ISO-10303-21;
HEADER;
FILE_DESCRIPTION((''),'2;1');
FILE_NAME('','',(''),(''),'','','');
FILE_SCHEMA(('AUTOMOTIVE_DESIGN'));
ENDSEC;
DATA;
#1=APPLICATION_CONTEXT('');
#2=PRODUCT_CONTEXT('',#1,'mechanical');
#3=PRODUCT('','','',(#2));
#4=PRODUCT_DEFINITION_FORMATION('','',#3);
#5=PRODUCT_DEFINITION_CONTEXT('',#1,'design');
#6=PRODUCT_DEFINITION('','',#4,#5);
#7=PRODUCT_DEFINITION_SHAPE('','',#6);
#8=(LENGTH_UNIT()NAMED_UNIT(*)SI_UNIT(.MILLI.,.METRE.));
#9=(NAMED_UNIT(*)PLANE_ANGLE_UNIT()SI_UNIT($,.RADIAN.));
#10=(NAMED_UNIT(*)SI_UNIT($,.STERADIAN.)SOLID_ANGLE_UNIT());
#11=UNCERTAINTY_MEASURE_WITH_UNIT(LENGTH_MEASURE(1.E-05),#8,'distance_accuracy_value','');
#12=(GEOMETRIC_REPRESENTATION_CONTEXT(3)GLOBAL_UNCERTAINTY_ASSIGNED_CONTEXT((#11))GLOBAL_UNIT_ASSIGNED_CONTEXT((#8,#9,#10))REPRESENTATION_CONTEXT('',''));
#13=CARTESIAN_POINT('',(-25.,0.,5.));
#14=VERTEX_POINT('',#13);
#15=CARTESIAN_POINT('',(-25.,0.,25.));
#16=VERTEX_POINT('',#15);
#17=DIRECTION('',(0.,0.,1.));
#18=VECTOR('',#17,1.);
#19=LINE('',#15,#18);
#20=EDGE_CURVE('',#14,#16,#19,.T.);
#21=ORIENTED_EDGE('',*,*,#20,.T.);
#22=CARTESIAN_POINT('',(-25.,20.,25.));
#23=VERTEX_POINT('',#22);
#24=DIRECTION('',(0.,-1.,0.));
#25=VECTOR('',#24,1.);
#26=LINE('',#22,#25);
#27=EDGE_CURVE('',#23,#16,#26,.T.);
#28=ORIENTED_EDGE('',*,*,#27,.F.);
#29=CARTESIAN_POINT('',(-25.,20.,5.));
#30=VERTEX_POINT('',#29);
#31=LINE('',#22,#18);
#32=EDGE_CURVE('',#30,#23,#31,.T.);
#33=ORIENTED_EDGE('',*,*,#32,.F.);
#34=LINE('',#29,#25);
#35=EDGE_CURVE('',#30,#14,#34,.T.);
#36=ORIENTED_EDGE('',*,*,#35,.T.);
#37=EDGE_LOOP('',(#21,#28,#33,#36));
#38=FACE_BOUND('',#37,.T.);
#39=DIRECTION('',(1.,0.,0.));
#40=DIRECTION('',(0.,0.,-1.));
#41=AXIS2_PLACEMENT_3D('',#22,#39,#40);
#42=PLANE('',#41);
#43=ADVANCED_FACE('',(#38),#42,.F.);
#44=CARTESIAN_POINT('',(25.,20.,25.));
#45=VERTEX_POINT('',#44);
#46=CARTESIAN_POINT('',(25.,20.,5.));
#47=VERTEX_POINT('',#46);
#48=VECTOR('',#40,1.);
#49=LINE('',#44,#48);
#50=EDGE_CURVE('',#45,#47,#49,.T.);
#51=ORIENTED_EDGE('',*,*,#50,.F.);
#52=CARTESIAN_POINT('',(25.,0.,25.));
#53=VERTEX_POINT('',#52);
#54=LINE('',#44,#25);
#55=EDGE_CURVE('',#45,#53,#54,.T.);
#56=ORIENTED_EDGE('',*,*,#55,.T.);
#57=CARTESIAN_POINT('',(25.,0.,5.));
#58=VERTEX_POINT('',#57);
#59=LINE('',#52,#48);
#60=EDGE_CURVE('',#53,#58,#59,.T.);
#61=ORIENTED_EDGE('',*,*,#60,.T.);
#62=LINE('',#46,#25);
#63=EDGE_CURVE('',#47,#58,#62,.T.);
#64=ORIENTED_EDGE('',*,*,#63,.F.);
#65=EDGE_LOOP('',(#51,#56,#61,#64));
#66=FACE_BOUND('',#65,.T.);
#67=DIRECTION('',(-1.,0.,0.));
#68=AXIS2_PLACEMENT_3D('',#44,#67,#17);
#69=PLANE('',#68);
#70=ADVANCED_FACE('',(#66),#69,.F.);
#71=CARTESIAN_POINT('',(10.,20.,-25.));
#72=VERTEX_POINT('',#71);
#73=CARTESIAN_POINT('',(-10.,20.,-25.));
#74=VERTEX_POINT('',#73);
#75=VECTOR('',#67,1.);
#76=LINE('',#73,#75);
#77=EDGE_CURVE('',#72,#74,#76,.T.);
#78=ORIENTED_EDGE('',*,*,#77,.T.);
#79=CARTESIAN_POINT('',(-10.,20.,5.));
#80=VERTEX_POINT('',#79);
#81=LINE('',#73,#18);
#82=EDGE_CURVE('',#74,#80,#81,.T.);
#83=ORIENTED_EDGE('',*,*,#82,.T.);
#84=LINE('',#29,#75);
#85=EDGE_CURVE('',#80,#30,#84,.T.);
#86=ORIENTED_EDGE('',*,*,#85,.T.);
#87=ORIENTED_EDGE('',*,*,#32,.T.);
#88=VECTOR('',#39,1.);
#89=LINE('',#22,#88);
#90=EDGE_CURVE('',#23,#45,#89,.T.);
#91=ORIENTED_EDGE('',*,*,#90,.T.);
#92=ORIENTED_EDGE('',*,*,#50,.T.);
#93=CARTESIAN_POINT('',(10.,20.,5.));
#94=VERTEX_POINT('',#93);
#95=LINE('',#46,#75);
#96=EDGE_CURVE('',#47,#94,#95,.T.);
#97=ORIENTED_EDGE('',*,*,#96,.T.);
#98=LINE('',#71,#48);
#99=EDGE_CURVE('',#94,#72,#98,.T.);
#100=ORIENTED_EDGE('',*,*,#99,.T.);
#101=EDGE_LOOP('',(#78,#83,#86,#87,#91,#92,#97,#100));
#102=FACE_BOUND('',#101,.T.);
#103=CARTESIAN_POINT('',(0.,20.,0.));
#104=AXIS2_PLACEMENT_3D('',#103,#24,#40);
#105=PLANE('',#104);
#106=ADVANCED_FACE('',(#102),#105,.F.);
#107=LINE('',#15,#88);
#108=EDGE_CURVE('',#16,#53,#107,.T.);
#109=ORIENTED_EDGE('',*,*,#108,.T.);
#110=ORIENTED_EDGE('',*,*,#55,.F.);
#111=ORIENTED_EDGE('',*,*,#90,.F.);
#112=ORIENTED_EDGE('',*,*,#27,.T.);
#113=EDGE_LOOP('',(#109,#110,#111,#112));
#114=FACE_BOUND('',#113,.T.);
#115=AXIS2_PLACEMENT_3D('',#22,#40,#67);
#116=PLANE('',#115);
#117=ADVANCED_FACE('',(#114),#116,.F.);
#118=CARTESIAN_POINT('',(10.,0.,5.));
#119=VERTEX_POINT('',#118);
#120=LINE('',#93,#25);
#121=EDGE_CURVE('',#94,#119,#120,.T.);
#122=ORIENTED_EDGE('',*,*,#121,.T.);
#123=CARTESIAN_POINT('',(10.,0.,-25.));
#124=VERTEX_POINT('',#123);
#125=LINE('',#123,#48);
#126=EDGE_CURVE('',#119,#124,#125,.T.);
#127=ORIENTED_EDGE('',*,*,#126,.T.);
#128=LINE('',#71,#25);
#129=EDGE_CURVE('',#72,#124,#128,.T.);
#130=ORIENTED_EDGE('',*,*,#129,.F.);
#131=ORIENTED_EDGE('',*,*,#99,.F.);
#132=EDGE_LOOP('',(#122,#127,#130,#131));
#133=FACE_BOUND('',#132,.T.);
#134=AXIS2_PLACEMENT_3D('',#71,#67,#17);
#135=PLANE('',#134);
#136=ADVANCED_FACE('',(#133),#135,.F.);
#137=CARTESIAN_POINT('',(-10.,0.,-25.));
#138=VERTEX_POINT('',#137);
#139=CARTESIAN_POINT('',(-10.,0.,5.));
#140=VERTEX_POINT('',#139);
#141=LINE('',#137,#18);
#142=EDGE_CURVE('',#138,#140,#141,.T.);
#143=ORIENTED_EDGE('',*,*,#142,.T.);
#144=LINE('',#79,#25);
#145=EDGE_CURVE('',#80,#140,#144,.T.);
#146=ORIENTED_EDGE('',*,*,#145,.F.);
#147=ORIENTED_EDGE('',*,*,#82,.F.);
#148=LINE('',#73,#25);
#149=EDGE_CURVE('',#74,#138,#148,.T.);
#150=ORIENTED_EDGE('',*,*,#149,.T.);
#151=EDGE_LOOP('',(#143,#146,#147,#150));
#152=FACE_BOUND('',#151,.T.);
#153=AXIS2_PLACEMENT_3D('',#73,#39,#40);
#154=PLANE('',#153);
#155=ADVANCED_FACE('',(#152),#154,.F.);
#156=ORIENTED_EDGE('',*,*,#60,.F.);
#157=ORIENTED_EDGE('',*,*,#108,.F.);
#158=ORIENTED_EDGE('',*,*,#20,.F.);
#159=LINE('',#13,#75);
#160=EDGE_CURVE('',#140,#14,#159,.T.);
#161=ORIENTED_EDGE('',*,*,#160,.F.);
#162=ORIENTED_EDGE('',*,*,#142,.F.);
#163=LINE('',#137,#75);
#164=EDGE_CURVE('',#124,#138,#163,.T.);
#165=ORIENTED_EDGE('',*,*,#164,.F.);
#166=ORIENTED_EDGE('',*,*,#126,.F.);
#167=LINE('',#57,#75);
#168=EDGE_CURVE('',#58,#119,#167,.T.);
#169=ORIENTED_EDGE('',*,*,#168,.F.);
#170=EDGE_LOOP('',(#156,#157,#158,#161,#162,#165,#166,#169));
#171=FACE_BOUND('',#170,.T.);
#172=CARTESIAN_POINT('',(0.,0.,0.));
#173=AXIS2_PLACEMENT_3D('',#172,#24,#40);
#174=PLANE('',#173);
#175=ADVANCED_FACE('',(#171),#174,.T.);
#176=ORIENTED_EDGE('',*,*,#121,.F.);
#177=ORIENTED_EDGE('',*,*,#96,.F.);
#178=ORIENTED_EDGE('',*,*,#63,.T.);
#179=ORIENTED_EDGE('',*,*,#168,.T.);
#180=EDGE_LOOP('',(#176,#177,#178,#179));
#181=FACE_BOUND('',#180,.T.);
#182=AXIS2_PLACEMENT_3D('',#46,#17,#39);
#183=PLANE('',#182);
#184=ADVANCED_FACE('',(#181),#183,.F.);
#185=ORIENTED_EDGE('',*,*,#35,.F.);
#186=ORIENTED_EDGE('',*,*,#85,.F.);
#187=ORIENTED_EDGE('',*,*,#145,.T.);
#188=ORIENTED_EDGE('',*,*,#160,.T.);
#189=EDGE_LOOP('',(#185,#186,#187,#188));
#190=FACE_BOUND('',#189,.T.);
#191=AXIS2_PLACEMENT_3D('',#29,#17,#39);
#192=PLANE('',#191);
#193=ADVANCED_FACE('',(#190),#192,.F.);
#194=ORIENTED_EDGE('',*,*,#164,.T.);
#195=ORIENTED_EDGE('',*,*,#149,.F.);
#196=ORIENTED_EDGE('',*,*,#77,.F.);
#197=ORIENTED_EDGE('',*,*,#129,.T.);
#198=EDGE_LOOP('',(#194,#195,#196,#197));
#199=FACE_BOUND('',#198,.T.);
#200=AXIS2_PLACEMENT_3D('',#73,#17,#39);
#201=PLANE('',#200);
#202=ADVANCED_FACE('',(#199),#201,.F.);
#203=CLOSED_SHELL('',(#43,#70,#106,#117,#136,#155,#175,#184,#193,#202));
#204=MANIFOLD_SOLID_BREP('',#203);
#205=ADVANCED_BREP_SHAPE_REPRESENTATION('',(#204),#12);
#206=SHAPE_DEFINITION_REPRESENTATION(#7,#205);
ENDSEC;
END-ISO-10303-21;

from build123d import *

# Parameters (mm, degrees)
BOSS_EXTRUDE1_DEPTH = 20


with BuildPart() as part:
    # Sketch1 → Boss-Extrude1 (new body)
    with BuildSketch(Plane(origin=(0, 0, 0), x_dir=(1, 0, 0), z_dir=(0, 1, 0))):
        Polygon((-25, -25), (25, -25), (25, -5), (10, -5), (10, 25), (-10, 25), (-10, -5), (-25, -5), align=None)
    extrude(amount=BOSS_EXTRUDE1_DEPTH)


solid = part.part
